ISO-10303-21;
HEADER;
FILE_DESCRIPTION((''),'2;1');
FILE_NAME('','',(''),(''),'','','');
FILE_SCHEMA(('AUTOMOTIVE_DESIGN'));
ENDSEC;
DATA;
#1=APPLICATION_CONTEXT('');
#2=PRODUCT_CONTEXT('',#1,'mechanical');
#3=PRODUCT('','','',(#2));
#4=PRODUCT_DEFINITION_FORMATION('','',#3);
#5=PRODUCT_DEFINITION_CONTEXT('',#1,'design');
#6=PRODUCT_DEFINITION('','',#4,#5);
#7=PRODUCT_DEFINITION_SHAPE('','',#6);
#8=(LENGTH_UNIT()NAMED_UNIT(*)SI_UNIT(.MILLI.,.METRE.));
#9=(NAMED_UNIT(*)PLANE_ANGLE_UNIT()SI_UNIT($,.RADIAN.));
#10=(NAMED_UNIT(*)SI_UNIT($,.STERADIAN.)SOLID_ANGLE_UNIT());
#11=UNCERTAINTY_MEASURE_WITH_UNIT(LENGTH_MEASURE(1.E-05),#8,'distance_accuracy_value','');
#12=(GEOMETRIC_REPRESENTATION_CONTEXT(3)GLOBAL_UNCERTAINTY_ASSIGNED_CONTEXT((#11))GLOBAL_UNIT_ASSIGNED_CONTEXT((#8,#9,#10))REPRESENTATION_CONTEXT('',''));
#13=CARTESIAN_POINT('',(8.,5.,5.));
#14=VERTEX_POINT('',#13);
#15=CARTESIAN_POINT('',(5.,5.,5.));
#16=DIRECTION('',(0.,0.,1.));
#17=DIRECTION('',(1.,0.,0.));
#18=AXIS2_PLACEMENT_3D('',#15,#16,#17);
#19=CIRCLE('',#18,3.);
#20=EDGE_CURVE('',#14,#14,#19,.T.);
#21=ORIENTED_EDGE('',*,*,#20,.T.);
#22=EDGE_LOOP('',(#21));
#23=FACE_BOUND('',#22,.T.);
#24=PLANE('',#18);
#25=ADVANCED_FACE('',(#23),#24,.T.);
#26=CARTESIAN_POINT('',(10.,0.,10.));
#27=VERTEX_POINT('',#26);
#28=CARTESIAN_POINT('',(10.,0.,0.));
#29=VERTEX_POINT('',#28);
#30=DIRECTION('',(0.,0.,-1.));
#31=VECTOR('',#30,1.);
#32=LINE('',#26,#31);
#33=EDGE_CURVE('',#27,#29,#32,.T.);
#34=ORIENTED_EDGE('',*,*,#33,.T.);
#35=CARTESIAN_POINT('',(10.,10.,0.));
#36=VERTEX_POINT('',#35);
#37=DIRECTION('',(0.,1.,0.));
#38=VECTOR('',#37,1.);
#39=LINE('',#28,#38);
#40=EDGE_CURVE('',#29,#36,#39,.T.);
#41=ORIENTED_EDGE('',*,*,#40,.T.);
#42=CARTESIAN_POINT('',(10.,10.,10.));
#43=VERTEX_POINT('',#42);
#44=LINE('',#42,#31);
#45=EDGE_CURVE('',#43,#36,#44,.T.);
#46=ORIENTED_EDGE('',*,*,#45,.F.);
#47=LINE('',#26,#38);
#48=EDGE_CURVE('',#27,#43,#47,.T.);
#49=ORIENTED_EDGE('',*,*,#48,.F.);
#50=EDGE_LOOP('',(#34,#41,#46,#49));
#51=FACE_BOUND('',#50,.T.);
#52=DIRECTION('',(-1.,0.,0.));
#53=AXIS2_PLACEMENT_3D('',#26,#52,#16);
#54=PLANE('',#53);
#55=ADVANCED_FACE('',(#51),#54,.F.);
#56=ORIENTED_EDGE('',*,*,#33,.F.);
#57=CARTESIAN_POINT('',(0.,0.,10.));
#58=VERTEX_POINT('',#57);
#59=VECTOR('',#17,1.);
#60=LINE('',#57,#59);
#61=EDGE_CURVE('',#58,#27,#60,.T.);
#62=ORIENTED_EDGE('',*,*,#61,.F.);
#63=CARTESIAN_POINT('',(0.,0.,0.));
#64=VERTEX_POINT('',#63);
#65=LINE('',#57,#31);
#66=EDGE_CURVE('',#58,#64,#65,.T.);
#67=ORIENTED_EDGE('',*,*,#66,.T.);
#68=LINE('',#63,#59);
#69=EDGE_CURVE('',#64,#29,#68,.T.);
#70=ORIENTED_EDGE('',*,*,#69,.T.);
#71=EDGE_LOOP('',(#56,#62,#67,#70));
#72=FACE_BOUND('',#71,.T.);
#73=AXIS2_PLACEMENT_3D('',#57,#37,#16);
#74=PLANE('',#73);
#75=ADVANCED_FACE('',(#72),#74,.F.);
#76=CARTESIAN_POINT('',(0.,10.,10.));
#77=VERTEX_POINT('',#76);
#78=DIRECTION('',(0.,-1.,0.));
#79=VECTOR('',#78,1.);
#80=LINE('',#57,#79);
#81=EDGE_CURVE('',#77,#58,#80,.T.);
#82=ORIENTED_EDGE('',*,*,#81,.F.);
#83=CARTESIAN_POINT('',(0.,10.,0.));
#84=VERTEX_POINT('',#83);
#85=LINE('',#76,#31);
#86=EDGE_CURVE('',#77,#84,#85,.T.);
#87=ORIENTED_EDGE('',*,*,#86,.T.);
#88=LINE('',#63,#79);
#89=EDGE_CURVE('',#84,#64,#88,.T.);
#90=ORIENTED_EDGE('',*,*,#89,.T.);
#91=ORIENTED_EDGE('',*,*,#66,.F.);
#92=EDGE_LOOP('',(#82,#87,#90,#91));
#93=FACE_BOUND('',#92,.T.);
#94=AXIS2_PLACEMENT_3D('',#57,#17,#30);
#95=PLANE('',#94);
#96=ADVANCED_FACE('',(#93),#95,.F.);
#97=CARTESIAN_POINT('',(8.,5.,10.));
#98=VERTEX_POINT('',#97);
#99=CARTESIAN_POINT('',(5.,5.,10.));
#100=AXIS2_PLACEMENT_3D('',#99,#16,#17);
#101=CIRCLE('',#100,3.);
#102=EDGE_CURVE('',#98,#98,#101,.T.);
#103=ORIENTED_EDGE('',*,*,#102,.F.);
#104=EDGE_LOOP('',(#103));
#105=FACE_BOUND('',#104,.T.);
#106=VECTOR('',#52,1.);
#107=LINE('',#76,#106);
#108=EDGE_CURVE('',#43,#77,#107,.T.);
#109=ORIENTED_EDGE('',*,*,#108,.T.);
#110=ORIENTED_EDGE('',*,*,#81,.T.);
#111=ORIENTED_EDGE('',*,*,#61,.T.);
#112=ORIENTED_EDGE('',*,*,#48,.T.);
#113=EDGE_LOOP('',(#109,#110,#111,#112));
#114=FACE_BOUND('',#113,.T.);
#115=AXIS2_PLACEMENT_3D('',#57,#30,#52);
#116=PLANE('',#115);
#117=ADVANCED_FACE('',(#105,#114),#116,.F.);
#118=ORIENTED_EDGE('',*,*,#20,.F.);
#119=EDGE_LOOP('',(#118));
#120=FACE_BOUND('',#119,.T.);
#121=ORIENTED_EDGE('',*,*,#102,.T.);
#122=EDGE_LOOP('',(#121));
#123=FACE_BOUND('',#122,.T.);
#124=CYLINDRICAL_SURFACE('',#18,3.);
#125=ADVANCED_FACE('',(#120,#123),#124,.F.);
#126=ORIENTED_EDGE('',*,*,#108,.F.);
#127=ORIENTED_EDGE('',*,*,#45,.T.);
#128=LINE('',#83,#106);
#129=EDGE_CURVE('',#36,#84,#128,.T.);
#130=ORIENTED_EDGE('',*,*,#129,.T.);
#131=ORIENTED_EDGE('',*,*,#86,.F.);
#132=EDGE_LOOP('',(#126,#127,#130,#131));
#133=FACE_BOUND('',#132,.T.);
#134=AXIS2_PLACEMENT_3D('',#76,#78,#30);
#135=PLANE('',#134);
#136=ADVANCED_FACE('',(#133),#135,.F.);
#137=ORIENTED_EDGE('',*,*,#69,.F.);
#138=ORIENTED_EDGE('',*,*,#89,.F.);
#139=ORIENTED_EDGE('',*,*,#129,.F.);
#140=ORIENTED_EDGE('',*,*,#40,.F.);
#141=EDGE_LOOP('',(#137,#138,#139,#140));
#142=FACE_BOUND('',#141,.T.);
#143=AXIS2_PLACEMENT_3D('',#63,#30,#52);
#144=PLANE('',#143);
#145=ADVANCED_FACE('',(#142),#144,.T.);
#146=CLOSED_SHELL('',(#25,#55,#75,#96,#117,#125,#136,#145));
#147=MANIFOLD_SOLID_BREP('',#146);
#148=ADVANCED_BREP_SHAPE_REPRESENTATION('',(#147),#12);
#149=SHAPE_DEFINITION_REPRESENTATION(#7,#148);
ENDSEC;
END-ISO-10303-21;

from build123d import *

# Parameters (mm, degrees)
SKETCH_1_W          = 10
SKETCH_1_H          = 10
EXTRUDE_1_DEPTH     = 10
SKETCH_2_R          = 3
CUT_EXTRUDE_1_DEPTH = 5


with BuildPart() as part:
    # 草图1 → 凸台-拉伸1 (new body)
    with BuildSketch(Plane.XY):
        with Locations((5, 5)):
            Rectangle(SKETCH_1_W, SKETCH_1_H)
    extrude(amount=EXTRUDE_1_DEPTH)

    # 草图2 → 切除-拉伸1 (cut)
    with BuildSketch(Plane.XY.offset(10)):
        with Locations((5, 5)):
            Circle(SKETCH_2_R)
    extrude(amount=-CUT_EXTRUDE_1_DEPTH, mode=Mode.SUBTRACT)


solid = part.part
